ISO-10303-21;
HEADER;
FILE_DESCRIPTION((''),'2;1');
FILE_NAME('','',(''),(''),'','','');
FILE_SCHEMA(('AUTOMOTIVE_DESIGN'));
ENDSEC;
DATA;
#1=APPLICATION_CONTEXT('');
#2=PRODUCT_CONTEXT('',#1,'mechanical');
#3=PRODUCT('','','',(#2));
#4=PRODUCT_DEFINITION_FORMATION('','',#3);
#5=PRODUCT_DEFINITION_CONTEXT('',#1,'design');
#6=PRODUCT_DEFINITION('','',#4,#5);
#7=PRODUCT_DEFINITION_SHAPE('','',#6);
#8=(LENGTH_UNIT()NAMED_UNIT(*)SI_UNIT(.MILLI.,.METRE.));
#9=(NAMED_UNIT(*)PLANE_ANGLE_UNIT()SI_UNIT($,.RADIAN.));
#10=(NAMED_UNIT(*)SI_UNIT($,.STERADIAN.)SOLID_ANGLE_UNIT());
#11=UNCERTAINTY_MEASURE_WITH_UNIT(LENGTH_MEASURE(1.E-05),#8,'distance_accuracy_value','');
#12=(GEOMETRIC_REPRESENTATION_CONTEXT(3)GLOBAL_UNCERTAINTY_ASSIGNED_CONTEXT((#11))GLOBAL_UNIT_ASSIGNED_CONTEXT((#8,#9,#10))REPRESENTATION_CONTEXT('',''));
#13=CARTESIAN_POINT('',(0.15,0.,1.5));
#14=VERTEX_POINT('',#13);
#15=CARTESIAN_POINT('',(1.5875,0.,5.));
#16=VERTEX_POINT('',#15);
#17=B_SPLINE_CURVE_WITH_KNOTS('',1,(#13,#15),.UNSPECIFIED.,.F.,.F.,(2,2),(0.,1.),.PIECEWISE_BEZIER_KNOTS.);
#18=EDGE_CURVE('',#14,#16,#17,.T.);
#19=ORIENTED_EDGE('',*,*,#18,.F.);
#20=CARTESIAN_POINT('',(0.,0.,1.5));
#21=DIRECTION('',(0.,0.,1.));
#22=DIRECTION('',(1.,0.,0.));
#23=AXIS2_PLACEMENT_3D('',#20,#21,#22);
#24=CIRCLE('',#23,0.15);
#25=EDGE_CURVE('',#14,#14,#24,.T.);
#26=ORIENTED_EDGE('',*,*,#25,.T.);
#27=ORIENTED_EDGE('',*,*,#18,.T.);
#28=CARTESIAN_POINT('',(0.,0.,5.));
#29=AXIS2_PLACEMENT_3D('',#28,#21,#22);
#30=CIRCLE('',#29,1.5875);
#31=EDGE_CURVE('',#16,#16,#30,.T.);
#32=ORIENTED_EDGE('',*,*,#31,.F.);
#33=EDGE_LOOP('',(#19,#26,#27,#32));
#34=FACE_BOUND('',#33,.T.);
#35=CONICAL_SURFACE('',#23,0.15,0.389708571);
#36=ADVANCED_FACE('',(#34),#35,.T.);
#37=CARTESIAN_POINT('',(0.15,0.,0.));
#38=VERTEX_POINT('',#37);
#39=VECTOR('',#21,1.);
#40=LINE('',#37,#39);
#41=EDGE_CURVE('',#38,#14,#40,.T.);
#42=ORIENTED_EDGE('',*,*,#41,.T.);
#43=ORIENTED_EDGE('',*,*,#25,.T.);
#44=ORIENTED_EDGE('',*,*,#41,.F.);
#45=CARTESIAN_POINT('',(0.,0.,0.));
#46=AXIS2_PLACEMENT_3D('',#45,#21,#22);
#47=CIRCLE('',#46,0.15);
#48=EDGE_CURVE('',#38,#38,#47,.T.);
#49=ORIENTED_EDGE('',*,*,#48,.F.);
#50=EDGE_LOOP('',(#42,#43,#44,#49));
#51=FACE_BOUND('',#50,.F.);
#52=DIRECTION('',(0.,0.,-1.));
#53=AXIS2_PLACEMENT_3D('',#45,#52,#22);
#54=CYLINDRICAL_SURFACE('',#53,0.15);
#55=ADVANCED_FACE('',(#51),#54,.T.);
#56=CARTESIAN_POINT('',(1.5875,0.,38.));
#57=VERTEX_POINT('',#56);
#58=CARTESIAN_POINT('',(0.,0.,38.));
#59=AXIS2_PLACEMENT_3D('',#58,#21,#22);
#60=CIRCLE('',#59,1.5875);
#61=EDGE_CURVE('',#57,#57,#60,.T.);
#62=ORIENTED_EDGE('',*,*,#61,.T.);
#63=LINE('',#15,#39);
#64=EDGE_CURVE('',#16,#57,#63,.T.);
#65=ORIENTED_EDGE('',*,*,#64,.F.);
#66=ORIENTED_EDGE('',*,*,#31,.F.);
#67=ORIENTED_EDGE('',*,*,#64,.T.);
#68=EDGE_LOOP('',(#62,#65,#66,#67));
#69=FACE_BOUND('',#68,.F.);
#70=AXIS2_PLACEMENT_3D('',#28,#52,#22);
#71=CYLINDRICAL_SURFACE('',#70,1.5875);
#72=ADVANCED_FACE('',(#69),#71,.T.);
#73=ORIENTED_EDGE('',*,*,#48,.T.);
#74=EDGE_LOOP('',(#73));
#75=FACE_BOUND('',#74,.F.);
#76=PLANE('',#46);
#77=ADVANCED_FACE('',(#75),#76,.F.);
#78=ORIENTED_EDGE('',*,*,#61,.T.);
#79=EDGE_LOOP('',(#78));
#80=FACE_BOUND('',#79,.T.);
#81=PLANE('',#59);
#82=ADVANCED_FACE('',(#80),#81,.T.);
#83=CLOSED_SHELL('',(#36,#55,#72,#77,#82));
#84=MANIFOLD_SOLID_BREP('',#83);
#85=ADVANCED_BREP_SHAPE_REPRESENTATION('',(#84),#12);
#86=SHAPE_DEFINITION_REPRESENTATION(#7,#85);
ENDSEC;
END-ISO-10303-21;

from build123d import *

# Parameters (mm, degrees)
SKETCH_R     = 0.15
PAD_DEPTH    = 1.5
SKETCH001_R  = 0.15
SKETCH002_R  = 1.5875
SKETCH003_R  = 1.5875
PAD001_DEPTH = 33


with BuildPart() as pad:
    # Sketch → Pad (new body)
    with BuildSketch(Plane.XY):
        Circle(SKETCH_R)
    extrude(amount=PAD_DEPTH)


with BuildPart() as pad001:
    # Sketch001 → Loft section 0
    with BuildSketch(Plane.XY.offset(1.5)):
        Circle(SKETCH001_R)
    # Sketch002 → Loft section 1
    with BuildSketch(Plane.XY.offset(5)):
        Circle(SKETCH002_R)
    loft()

    # Fusion: union Pad
    add(pad.part)

    # Sketch003 → Pad001 (new body)
    with BuildSketch(Plane.XY.offset(5)):
        Circle(SKETCH003_R)
    extrude(amount=PAD001_DEPTH)


solid = pad001.part
